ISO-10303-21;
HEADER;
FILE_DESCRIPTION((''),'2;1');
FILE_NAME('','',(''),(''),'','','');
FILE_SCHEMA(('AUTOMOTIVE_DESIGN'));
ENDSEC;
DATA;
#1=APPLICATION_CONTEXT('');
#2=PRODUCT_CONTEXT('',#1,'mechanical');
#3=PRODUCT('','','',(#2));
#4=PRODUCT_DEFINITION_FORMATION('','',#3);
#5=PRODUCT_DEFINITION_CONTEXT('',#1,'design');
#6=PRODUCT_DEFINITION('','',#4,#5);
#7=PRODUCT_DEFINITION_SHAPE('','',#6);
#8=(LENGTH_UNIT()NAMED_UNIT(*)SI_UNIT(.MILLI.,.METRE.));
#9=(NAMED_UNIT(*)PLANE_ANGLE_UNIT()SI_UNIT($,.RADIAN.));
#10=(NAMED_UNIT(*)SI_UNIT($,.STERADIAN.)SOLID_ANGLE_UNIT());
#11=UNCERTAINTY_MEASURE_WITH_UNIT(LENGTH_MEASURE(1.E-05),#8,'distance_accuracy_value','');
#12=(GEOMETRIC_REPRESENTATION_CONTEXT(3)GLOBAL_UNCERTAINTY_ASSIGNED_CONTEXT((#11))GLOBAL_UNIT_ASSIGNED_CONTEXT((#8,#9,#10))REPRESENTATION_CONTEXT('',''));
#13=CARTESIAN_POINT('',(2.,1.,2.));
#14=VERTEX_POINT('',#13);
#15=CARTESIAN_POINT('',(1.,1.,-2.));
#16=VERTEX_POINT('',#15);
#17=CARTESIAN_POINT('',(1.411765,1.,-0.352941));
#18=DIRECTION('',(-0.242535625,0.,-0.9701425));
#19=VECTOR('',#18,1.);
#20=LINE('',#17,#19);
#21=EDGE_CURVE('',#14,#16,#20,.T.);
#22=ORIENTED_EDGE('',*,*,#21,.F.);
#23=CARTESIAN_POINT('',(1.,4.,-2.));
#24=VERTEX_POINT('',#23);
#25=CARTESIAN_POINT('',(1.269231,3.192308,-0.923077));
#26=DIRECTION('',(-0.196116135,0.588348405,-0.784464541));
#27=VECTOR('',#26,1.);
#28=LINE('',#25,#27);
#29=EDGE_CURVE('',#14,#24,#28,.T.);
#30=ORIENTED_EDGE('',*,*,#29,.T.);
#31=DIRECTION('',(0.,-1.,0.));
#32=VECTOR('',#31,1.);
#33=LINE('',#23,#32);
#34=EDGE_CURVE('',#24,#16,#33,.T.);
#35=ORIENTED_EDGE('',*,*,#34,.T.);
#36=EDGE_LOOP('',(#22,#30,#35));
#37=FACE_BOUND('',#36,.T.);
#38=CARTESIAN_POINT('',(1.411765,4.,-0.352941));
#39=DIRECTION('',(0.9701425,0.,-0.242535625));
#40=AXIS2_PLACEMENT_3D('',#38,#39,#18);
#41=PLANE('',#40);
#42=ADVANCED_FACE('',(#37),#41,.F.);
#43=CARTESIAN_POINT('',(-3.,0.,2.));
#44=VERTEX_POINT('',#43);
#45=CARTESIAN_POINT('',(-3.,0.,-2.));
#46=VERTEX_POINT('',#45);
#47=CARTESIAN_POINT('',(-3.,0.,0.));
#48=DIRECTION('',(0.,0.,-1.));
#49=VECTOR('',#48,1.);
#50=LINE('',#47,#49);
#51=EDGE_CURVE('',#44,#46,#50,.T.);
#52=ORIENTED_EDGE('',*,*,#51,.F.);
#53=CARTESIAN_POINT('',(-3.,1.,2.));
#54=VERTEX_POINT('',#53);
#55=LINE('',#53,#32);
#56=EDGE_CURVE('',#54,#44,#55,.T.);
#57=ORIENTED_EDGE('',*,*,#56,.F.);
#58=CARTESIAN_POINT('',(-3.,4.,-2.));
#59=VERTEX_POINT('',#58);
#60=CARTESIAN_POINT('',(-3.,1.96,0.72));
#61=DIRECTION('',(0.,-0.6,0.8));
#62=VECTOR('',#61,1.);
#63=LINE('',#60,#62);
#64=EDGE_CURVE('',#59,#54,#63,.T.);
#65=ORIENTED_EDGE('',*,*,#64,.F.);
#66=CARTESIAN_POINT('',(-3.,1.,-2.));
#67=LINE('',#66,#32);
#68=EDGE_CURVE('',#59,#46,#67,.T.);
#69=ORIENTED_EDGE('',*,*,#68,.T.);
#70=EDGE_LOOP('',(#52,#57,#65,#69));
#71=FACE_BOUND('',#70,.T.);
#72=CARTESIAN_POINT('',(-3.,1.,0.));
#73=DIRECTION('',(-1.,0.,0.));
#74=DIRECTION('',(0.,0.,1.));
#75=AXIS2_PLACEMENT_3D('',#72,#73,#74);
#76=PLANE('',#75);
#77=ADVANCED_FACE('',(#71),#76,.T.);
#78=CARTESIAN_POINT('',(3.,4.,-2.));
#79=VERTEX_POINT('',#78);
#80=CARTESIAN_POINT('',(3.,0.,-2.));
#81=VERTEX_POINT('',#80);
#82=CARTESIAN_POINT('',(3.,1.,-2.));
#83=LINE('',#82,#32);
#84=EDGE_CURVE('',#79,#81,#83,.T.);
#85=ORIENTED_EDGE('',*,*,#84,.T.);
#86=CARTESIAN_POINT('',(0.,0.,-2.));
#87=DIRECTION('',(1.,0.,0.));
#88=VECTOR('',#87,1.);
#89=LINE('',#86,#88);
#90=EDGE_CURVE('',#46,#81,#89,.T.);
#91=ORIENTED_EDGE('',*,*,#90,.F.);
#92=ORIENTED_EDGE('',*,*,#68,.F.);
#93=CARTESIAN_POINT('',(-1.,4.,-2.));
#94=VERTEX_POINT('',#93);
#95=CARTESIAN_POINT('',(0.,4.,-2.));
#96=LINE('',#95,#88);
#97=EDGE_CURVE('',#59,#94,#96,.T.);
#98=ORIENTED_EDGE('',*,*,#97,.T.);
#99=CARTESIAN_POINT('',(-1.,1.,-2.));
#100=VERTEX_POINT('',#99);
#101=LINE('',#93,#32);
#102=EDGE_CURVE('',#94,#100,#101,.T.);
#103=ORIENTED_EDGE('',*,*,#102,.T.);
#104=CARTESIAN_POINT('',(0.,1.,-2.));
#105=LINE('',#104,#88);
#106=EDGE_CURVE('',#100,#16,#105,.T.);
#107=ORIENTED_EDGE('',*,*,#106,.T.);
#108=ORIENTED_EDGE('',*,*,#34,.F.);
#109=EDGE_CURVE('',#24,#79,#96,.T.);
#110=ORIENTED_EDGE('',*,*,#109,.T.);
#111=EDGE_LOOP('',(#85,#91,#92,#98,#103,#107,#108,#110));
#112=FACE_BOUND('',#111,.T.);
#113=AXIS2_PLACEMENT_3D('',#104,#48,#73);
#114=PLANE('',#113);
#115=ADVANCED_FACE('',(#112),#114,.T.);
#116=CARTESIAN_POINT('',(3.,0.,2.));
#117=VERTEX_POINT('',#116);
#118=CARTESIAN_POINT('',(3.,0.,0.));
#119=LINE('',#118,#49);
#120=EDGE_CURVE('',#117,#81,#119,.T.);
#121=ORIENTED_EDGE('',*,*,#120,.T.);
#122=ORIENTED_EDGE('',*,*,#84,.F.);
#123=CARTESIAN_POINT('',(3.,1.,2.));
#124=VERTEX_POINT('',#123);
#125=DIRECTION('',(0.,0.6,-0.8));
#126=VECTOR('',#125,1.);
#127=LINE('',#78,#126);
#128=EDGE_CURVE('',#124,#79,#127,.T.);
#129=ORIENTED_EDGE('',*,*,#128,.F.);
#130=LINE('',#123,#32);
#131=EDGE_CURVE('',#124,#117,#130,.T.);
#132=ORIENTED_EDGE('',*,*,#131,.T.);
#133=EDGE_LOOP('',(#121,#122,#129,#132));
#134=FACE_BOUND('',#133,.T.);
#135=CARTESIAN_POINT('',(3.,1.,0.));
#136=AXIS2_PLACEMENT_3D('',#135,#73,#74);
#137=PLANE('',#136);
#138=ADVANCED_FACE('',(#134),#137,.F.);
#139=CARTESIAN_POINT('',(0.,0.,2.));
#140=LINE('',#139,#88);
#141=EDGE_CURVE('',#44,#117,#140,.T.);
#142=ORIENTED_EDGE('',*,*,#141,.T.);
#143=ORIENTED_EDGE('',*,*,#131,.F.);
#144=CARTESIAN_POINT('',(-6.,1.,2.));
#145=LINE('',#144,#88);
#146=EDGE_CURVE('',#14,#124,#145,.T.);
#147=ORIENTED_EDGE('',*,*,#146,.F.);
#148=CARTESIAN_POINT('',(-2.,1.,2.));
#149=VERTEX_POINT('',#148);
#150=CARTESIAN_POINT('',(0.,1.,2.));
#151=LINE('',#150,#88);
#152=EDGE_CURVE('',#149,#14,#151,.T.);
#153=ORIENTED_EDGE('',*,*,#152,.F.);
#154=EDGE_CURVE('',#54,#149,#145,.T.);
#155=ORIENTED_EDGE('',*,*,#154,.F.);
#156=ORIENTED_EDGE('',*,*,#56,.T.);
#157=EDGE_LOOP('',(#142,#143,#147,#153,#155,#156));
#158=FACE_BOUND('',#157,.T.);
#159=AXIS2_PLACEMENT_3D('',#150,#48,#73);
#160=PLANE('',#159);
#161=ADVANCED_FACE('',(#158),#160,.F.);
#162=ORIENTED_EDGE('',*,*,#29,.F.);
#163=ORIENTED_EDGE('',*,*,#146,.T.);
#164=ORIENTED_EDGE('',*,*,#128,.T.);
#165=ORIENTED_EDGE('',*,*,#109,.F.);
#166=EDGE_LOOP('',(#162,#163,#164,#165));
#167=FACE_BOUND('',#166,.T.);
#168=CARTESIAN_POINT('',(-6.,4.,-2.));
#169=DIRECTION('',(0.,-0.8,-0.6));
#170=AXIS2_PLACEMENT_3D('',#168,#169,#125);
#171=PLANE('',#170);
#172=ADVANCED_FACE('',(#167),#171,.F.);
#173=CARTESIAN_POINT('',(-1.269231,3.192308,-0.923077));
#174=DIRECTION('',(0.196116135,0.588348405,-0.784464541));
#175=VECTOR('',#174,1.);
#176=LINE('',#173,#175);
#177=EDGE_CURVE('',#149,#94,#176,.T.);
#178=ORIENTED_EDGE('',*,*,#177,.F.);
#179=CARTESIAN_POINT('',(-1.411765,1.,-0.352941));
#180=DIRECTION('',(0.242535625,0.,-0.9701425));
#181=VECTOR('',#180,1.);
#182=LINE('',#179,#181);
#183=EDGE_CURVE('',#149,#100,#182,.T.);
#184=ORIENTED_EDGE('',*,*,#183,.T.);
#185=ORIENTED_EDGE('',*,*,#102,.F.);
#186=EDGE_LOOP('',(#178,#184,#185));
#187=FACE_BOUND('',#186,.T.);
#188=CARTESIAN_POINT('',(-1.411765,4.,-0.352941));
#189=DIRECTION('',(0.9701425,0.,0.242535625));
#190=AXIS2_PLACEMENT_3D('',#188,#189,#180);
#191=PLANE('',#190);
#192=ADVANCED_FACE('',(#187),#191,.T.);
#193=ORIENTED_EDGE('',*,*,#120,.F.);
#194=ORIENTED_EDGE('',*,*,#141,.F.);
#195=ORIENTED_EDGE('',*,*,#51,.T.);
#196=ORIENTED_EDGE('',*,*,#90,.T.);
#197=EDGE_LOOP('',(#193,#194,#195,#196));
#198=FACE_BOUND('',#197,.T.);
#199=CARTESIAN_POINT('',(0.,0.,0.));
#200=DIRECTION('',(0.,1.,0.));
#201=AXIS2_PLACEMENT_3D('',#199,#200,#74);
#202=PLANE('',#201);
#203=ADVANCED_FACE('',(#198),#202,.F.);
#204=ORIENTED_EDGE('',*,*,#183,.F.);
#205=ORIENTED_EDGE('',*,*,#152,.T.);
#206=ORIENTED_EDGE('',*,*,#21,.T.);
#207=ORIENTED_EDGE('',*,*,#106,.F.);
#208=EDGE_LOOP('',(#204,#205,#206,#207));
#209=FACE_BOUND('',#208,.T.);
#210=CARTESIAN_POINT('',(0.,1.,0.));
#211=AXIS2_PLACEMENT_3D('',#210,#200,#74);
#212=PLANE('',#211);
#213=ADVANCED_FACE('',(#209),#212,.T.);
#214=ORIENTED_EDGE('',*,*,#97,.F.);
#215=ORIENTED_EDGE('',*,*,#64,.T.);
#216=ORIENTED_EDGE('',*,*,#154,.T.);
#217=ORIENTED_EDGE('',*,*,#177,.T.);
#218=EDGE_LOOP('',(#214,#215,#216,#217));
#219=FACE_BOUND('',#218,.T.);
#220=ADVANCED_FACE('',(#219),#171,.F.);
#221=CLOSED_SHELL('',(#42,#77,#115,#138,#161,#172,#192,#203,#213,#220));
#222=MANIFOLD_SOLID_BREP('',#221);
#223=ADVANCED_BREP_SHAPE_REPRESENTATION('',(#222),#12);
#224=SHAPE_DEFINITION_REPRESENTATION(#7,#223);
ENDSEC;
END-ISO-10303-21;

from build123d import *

# Parameters (mm, degrees)
SKETCH_1_W          = 6
SKETCH_1_H          = 4
EXTRUDE_1_DEPTH     = 1
EXTRUDE_2_DEPTH     = 4
CUT_EXTRUDE_1_DEPTH = 9


with BuildPart() as part:
    # 草圖1 → 填料-伸長1 (new body)
    with BuildSketch(Plane(origin=(0, 0, 0), x_dir=(1, 0, 0), z_dir=(0, 1, 0))):
        Rectangle(SKETCH_1_W, SKETCH_1_H)
    extrude(amount=EXTRUDE_1_DEPTH)

    # 草圖1<3> → 填料-伸長2 (add)
    with BuildSketch(Plane(origin=(0, 0, 0), x_dir=(1, 0, 0), z_dir=(0, 1, 0))):
        Polygon((-2, -2), (-1, 2), (-3, 2), (-3, -2), align=None)
        Polygon((3, 2), (1, 2), (2, -2), (3, -2), align=None)
    extrude(amount=EXTRUDE_2_DEPTH)

    # 草圖2 → 除料-伸長1 (cut)
    with BuildSketch(Plane(origin=(3, 0, 0), x_dir=(0, 0, -1), z_dir=(1, 0, 0))):
        Polygon((2, 4), (-2, 1), (-2, 4), align=None)
    extrude(amount=-CUT_EXTRUDE_1_DEPTH, mode=Mode.SUBTRACT)


solid = part.part
